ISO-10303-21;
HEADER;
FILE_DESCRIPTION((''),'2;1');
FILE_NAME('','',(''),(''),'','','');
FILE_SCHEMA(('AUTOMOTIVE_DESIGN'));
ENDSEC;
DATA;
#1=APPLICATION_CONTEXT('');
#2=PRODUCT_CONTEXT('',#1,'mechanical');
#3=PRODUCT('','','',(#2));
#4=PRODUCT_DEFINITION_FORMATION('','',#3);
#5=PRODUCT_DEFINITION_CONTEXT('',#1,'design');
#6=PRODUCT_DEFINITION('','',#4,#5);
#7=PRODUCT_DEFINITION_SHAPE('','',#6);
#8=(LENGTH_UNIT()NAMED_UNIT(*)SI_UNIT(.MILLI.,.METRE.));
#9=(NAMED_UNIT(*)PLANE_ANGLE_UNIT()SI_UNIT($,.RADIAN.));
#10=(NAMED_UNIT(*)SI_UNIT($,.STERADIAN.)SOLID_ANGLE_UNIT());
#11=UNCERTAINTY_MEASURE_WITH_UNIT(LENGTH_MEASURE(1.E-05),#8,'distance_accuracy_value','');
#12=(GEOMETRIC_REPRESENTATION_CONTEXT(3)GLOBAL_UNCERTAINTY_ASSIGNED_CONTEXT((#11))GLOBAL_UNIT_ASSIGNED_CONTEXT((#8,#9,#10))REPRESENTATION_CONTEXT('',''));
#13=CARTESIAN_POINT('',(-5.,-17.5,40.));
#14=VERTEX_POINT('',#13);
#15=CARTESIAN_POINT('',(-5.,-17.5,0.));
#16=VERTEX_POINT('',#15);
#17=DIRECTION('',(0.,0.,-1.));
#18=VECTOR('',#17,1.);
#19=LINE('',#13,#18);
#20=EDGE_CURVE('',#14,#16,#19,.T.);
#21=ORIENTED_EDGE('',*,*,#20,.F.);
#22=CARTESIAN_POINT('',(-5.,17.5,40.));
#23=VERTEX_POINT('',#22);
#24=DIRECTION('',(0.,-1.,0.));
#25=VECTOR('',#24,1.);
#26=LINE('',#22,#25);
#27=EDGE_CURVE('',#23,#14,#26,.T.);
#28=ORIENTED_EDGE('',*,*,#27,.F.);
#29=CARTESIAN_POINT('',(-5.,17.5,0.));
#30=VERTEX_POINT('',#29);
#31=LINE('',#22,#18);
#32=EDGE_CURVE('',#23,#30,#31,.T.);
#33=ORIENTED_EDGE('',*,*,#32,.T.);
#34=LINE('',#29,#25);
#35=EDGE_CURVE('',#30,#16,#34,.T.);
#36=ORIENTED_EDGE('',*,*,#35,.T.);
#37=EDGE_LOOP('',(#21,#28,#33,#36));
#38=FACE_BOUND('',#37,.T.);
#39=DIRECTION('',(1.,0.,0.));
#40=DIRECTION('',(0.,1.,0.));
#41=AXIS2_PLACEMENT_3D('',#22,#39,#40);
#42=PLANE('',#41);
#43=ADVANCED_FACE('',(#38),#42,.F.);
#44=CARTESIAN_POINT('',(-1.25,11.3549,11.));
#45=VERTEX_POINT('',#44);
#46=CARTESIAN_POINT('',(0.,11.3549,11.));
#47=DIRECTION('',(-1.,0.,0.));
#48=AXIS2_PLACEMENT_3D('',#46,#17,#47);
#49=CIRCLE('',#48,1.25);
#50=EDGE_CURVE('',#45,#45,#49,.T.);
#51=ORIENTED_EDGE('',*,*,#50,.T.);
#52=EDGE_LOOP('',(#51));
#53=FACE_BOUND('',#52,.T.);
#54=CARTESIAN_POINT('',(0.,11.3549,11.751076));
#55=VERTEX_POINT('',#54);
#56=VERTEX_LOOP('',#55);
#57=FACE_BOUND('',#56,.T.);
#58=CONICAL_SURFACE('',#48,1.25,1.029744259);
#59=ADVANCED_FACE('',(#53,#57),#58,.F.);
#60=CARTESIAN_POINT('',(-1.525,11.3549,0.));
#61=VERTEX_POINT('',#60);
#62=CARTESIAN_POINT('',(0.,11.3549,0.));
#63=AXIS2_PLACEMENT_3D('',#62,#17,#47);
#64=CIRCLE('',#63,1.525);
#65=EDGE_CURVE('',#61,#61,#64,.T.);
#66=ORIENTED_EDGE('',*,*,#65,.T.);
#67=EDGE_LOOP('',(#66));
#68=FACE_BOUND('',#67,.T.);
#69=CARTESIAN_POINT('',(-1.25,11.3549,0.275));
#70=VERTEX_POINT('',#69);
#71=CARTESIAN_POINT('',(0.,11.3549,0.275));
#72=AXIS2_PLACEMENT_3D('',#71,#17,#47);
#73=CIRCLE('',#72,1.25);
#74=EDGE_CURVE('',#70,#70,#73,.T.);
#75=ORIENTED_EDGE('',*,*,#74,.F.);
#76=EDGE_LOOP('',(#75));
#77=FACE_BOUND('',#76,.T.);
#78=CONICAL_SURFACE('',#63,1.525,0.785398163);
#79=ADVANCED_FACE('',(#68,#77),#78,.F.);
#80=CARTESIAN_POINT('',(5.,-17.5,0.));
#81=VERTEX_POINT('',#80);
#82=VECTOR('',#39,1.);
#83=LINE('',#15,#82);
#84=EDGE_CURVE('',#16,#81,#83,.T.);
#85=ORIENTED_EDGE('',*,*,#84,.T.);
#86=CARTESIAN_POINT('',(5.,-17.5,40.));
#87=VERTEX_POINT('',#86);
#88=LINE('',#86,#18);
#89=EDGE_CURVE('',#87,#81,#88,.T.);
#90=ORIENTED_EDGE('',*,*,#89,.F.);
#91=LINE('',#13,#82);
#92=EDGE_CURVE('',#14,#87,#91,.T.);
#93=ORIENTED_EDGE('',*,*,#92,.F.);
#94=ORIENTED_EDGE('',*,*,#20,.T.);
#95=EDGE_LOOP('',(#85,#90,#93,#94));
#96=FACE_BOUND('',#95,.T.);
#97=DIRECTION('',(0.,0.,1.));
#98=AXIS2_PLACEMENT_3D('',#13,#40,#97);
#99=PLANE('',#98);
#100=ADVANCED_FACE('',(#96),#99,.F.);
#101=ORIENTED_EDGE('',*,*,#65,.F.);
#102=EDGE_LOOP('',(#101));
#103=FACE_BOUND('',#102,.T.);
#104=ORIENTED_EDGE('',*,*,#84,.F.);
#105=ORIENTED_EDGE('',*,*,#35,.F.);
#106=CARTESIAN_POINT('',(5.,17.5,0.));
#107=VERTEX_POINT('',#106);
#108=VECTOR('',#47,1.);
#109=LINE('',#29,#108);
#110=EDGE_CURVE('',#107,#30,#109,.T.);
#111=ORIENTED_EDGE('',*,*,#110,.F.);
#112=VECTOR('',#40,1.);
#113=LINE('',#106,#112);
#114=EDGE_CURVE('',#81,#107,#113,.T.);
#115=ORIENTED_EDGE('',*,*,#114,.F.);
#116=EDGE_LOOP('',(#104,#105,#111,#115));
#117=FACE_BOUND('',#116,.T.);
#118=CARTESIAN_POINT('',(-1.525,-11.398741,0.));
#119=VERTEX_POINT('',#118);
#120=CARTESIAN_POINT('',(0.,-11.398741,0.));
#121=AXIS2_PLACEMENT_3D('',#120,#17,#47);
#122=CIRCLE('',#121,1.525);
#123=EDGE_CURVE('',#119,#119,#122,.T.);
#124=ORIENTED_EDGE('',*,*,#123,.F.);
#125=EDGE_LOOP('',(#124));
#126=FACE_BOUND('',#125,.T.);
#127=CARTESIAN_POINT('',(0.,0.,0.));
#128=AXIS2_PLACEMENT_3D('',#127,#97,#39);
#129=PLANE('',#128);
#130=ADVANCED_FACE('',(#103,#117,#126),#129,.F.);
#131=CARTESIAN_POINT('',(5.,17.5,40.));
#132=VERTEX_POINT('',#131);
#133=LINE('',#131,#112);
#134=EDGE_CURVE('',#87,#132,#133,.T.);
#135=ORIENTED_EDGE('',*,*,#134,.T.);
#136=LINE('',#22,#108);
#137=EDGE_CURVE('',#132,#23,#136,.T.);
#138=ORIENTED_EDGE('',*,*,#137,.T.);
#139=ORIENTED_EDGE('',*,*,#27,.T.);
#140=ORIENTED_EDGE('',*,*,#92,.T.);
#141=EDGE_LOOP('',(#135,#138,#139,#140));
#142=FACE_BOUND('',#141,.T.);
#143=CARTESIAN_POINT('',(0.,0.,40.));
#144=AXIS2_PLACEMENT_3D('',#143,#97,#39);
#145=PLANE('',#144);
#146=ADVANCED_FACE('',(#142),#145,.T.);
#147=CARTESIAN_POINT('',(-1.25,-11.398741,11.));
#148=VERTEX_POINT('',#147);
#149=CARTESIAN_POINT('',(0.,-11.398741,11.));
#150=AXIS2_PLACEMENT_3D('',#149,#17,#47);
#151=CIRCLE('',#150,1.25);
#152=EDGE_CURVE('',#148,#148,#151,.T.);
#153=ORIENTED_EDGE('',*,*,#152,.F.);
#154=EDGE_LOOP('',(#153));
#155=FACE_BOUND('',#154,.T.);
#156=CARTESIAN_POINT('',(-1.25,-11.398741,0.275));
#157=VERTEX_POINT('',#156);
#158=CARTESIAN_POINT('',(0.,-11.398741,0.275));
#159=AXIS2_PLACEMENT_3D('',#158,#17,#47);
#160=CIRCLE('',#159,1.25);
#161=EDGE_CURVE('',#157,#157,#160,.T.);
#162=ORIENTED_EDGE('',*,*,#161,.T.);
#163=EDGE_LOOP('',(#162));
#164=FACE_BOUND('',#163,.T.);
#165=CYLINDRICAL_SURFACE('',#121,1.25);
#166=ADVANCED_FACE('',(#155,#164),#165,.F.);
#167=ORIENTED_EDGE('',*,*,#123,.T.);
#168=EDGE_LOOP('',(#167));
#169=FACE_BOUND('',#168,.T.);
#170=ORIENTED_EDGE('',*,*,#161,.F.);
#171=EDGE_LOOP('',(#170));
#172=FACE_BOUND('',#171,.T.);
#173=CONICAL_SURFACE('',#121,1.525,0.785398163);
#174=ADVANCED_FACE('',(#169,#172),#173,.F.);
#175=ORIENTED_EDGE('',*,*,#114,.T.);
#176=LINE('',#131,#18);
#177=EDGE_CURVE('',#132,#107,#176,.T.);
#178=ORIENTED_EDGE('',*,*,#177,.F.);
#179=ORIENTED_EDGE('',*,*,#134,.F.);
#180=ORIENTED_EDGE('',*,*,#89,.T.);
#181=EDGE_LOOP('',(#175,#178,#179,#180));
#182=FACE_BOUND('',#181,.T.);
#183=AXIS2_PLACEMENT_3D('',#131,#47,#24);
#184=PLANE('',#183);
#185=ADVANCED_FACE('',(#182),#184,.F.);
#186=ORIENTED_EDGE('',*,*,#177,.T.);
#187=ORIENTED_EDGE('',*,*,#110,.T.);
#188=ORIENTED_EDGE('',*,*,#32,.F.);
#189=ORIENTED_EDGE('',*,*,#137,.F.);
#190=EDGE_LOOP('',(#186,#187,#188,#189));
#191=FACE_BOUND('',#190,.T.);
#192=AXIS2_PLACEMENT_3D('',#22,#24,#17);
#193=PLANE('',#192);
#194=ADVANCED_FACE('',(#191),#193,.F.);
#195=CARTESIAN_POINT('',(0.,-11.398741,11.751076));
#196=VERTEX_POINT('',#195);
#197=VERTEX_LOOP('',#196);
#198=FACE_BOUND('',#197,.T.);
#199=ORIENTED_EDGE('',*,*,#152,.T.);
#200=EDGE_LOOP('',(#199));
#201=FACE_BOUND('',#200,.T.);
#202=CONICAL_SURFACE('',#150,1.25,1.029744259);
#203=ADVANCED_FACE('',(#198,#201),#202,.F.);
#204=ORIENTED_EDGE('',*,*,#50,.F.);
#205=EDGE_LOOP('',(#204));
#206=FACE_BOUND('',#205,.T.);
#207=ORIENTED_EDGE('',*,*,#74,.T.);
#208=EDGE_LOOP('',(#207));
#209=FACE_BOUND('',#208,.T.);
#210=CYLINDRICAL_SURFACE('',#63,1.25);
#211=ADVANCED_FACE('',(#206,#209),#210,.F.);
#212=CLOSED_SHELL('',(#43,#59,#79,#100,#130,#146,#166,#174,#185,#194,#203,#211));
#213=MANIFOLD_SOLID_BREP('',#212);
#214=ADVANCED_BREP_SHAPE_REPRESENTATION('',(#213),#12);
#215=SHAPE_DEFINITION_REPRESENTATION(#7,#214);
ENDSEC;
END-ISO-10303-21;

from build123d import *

# Parameters (mm, degrees)
SKETCH1_W                       = 10
SKETCH1_H                       = 35
BOSS_EXTRUDE1_DEPTH             = 40
M3X0_5_TAPPED_HOLE1_D           = 2.5
M3X0_5_TAPPED_HOLE1_DEPTH       = 11
M3X0_5_TAPPED_HOLE1_CSINK_D     = 3.05
M3X0_5_TAPPED_HOLE1_CSINK_ANGLE = 90
M3X0_5_TAPPED_HOLE1_TIP         = 0.751075774


with BuildPart() as part:
    # Sketch1 → Boss-Extrude1 (new body)
    with BuildSketch(Plane.XY):
        Rectangle(SKETCH1_W, SKETCH1_H)
    extrude(amount=BOSS_EXTRUDE1_DEPTH)

    # M3x0.5 Tapped Hole1
    with Locations(Plane(origin=(0, 0, 0), x_dir=(-1, 0, 0), z_dir=(0, 0, -1))):
        with Locations((0, 11.354900128), (0, -11.398741441)):
            CounterSinkHole(M3X0_5_TAPPED_HOLE1_D / 2, M3X0_5_TAPPED_HOLE1_CSINK_D / 2, depth=M3X0_5_TAPPED_HOLE1_DEPTH, counter_sink_angle=M3X0_5_TAPPED_HOLE1_CSINK_ANGLE)
            with Locations((0, 0, -(M3X0_5_TAPPED_HOLE1_DEPTH + M3X0_5_TAPPED_HOLE1_TIP / 2))):  # 118° drill point
                Cone(0, M3X0_5_TAPPED_HOLE1_D / 2, M3X0_5_TAPPED_HOLE1_TIP, mode=Mode.SUBTRACT)


solid = part.part
